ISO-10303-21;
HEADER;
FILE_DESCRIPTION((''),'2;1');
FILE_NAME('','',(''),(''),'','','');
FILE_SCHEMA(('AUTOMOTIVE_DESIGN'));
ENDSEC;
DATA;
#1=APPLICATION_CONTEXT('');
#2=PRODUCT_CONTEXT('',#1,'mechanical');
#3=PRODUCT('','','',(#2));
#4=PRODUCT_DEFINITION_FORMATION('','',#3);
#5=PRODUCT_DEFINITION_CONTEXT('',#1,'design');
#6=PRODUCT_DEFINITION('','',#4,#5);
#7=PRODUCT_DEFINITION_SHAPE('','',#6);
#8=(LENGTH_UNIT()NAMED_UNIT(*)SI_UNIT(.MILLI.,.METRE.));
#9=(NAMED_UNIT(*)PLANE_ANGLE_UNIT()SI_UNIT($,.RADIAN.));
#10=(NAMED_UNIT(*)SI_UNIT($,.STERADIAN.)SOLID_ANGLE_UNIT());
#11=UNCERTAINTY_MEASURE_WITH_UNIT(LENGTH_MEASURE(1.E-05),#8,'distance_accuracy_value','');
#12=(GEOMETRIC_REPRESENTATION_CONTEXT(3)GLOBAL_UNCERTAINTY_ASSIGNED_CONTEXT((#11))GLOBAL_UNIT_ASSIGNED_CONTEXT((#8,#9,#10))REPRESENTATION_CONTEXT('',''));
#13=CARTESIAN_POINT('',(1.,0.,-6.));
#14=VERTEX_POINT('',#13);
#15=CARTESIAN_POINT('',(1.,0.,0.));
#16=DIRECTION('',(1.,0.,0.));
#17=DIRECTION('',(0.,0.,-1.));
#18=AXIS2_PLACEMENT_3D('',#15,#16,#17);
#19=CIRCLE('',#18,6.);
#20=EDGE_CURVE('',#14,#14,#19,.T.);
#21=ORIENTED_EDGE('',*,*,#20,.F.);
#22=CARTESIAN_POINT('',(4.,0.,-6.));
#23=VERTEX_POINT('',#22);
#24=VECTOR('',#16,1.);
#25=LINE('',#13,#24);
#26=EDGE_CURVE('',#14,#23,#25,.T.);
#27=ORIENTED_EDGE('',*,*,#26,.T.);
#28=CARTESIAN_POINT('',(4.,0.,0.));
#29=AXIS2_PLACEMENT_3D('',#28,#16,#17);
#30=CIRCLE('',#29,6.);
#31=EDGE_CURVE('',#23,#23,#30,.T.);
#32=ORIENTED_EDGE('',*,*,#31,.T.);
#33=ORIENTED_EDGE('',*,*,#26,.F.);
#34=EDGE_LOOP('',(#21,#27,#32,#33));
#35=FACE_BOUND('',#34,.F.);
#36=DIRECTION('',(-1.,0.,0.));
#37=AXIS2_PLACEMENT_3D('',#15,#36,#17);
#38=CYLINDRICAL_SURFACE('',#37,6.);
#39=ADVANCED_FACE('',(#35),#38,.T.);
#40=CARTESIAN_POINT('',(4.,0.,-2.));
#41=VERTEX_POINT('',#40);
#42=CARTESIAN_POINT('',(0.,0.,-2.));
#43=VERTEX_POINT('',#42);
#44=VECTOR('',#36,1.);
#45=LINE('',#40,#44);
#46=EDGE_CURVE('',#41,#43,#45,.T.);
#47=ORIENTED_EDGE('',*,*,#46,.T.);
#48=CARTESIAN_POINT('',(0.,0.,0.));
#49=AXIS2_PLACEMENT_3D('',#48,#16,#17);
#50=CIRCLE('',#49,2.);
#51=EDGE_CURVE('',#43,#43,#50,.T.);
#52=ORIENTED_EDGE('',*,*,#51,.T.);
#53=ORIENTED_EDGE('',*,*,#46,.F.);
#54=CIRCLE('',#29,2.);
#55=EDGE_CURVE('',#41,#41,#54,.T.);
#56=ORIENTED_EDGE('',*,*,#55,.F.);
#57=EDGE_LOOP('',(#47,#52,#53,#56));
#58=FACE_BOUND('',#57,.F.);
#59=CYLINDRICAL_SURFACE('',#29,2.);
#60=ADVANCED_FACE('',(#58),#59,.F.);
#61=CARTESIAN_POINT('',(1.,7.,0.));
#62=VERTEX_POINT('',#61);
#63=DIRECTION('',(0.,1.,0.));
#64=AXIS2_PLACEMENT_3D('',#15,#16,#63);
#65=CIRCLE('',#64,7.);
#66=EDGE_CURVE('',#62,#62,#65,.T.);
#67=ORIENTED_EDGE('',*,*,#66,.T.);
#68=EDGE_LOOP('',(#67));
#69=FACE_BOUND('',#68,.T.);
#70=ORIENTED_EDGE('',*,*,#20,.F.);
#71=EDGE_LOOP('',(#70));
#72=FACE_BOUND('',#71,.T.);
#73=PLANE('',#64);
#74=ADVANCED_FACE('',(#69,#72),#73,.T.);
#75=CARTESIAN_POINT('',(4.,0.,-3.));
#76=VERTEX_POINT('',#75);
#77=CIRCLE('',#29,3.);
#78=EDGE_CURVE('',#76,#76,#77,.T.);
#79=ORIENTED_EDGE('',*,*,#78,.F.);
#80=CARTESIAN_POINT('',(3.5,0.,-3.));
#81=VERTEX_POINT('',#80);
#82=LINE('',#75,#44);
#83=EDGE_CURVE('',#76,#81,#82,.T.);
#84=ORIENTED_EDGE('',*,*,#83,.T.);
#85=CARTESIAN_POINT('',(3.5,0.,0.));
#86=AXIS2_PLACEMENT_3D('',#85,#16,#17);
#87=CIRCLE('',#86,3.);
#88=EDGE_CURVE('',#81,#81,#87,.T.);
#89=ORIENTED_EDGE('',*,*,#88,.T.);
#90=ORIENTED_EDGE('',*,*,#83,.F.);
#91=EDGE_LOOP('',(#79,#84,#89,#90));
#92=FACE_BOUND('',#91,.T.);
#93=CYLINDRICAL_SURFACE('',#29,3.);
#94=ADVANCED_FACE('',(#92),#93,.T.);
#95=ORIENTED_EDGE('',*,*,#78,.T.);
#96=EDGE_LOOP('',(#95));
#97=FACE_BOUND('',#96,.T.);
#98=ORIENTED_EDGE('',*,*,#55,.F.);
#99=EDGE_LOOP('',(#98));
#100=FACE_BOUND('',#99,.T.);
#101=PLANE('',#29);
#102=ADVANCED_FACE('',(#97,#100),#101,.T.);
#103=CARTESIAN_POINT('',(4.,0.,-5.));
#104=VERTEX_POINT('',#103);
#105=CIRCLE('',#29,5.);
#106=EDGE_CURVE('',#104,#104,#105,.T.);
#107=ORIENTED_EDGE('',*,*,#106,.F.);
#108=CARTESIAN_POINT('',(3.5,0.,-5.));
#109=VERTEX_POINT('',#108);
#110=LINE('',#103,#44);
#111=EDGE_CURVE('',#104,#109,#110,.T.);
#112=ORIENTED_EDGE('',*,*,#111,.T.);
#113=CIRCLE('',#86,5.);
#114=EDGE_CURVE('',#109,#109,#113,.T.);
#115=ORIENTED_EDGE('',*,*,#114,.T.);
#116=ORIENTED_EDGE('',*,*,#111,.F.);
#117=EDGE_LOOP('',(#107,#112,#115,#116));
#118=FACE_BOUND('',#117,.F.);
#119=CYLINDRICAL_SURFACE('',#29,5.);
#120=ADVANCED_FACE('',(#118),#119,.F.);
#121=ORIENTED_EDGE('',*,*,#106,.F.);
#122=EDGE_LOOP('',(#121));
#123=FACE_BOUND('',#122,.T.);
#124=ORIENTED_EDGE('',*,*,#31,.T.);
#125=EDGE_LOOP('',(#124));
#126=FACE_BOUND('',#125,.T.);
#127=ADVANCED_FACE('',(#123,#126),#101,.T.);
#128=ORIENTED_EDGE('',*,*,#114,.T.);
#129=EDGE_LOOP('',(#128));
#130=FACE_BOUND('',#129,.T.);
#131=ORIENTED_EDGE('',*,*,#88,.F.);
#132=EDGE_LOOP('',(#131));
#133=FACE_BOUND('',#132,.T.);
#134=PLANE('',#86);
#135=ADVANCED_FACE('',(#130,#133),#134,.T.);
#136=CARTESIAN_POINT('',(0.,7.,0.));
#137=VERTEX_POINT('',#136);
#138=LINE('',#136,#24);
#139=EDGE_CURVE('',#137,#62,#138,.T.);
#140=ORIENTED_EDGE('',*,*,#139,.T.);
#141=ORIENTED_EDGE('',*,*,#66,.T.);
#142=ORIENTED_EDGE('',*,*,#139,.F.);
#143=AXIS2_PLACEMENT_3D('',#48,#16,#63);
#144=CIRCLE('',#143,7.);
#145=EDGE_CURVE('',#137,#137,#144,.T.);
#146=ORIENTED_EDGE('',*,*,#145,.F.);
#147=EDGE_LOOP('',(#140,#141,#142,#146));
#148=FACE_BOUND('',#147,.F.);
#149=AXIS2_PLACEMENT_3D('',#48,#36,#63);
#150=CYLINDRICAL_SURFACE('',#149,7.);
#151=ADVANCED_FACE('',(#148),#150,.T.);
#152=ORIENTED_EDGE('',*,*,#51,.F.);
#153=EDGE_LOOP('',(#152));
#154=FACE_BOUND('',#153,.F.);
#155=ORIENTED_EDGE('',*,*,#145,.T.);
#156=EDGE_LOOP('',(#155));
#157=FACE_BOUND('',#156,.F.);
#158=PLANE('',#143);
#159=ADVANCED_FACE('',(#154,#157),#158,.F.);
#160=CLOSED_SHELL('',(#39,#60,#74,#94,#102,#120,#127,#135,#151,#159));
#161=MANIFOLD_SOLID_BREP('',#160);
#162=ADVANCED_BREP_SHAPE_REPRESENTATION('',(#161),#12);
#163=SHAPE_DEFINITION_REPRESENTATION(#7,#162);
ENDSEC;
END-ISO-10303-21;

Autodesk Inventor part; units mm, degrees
ref_plane "YZ Plane" through (0, 0, 0) normal (1, 0, 0) x (0, 1, 0)
ref_plane "XZ Plane" through (0, 0, 0) normal (0, 1, 0) x (-1, 0, 0)
ref_plane "XY Plane" through (0, 0, 0) normal (0, 0, 1) x (1, 0, 0)
sketch "Эскиз1" plane through (0, 0, 0) normal (1, 0, 0) x (0, 1, 0)
  circle A0 centre (0, 0) radius 7
  dimension "d0" = 14
extrude "Выдавливание1" add sketch "Эскиз1" along normal blind 1
sketch "Эскиз2" plane through (1, 0, 0) normal (1, 0, 0) x (0, 0, -1)
  circle A0 centre (0, 0) radius 6
  dimension "d3" = 12
extrude "Выдавливание2" add sketch "Эскиз2" along normal blind 3
sketch "Эскиз3" plane through (4, 0, 0) normal (1, 0, 0) x (0, 0, -1)
  circle A0 centre (0, 0) radius 2
  dimension "d6" = 4
extrude "Выдавливание3" cut sketch "Эскиз3" against normal blind 10
sketch "Эскиз4" plane through (4, 0, 0) normal (1, 0, 0) x (0, 0, -1)
  circle A0 centre (0, 0) radius 3
  circle A1 centre (0, 0) radius 5
  dimension "d9" = 6
  dimension "d10" = 10
extrude "Выдавливание4" cut sketch "Эскиз4" against normal blind 0.5
properties part number "подшипник для катков" material "Титан"
